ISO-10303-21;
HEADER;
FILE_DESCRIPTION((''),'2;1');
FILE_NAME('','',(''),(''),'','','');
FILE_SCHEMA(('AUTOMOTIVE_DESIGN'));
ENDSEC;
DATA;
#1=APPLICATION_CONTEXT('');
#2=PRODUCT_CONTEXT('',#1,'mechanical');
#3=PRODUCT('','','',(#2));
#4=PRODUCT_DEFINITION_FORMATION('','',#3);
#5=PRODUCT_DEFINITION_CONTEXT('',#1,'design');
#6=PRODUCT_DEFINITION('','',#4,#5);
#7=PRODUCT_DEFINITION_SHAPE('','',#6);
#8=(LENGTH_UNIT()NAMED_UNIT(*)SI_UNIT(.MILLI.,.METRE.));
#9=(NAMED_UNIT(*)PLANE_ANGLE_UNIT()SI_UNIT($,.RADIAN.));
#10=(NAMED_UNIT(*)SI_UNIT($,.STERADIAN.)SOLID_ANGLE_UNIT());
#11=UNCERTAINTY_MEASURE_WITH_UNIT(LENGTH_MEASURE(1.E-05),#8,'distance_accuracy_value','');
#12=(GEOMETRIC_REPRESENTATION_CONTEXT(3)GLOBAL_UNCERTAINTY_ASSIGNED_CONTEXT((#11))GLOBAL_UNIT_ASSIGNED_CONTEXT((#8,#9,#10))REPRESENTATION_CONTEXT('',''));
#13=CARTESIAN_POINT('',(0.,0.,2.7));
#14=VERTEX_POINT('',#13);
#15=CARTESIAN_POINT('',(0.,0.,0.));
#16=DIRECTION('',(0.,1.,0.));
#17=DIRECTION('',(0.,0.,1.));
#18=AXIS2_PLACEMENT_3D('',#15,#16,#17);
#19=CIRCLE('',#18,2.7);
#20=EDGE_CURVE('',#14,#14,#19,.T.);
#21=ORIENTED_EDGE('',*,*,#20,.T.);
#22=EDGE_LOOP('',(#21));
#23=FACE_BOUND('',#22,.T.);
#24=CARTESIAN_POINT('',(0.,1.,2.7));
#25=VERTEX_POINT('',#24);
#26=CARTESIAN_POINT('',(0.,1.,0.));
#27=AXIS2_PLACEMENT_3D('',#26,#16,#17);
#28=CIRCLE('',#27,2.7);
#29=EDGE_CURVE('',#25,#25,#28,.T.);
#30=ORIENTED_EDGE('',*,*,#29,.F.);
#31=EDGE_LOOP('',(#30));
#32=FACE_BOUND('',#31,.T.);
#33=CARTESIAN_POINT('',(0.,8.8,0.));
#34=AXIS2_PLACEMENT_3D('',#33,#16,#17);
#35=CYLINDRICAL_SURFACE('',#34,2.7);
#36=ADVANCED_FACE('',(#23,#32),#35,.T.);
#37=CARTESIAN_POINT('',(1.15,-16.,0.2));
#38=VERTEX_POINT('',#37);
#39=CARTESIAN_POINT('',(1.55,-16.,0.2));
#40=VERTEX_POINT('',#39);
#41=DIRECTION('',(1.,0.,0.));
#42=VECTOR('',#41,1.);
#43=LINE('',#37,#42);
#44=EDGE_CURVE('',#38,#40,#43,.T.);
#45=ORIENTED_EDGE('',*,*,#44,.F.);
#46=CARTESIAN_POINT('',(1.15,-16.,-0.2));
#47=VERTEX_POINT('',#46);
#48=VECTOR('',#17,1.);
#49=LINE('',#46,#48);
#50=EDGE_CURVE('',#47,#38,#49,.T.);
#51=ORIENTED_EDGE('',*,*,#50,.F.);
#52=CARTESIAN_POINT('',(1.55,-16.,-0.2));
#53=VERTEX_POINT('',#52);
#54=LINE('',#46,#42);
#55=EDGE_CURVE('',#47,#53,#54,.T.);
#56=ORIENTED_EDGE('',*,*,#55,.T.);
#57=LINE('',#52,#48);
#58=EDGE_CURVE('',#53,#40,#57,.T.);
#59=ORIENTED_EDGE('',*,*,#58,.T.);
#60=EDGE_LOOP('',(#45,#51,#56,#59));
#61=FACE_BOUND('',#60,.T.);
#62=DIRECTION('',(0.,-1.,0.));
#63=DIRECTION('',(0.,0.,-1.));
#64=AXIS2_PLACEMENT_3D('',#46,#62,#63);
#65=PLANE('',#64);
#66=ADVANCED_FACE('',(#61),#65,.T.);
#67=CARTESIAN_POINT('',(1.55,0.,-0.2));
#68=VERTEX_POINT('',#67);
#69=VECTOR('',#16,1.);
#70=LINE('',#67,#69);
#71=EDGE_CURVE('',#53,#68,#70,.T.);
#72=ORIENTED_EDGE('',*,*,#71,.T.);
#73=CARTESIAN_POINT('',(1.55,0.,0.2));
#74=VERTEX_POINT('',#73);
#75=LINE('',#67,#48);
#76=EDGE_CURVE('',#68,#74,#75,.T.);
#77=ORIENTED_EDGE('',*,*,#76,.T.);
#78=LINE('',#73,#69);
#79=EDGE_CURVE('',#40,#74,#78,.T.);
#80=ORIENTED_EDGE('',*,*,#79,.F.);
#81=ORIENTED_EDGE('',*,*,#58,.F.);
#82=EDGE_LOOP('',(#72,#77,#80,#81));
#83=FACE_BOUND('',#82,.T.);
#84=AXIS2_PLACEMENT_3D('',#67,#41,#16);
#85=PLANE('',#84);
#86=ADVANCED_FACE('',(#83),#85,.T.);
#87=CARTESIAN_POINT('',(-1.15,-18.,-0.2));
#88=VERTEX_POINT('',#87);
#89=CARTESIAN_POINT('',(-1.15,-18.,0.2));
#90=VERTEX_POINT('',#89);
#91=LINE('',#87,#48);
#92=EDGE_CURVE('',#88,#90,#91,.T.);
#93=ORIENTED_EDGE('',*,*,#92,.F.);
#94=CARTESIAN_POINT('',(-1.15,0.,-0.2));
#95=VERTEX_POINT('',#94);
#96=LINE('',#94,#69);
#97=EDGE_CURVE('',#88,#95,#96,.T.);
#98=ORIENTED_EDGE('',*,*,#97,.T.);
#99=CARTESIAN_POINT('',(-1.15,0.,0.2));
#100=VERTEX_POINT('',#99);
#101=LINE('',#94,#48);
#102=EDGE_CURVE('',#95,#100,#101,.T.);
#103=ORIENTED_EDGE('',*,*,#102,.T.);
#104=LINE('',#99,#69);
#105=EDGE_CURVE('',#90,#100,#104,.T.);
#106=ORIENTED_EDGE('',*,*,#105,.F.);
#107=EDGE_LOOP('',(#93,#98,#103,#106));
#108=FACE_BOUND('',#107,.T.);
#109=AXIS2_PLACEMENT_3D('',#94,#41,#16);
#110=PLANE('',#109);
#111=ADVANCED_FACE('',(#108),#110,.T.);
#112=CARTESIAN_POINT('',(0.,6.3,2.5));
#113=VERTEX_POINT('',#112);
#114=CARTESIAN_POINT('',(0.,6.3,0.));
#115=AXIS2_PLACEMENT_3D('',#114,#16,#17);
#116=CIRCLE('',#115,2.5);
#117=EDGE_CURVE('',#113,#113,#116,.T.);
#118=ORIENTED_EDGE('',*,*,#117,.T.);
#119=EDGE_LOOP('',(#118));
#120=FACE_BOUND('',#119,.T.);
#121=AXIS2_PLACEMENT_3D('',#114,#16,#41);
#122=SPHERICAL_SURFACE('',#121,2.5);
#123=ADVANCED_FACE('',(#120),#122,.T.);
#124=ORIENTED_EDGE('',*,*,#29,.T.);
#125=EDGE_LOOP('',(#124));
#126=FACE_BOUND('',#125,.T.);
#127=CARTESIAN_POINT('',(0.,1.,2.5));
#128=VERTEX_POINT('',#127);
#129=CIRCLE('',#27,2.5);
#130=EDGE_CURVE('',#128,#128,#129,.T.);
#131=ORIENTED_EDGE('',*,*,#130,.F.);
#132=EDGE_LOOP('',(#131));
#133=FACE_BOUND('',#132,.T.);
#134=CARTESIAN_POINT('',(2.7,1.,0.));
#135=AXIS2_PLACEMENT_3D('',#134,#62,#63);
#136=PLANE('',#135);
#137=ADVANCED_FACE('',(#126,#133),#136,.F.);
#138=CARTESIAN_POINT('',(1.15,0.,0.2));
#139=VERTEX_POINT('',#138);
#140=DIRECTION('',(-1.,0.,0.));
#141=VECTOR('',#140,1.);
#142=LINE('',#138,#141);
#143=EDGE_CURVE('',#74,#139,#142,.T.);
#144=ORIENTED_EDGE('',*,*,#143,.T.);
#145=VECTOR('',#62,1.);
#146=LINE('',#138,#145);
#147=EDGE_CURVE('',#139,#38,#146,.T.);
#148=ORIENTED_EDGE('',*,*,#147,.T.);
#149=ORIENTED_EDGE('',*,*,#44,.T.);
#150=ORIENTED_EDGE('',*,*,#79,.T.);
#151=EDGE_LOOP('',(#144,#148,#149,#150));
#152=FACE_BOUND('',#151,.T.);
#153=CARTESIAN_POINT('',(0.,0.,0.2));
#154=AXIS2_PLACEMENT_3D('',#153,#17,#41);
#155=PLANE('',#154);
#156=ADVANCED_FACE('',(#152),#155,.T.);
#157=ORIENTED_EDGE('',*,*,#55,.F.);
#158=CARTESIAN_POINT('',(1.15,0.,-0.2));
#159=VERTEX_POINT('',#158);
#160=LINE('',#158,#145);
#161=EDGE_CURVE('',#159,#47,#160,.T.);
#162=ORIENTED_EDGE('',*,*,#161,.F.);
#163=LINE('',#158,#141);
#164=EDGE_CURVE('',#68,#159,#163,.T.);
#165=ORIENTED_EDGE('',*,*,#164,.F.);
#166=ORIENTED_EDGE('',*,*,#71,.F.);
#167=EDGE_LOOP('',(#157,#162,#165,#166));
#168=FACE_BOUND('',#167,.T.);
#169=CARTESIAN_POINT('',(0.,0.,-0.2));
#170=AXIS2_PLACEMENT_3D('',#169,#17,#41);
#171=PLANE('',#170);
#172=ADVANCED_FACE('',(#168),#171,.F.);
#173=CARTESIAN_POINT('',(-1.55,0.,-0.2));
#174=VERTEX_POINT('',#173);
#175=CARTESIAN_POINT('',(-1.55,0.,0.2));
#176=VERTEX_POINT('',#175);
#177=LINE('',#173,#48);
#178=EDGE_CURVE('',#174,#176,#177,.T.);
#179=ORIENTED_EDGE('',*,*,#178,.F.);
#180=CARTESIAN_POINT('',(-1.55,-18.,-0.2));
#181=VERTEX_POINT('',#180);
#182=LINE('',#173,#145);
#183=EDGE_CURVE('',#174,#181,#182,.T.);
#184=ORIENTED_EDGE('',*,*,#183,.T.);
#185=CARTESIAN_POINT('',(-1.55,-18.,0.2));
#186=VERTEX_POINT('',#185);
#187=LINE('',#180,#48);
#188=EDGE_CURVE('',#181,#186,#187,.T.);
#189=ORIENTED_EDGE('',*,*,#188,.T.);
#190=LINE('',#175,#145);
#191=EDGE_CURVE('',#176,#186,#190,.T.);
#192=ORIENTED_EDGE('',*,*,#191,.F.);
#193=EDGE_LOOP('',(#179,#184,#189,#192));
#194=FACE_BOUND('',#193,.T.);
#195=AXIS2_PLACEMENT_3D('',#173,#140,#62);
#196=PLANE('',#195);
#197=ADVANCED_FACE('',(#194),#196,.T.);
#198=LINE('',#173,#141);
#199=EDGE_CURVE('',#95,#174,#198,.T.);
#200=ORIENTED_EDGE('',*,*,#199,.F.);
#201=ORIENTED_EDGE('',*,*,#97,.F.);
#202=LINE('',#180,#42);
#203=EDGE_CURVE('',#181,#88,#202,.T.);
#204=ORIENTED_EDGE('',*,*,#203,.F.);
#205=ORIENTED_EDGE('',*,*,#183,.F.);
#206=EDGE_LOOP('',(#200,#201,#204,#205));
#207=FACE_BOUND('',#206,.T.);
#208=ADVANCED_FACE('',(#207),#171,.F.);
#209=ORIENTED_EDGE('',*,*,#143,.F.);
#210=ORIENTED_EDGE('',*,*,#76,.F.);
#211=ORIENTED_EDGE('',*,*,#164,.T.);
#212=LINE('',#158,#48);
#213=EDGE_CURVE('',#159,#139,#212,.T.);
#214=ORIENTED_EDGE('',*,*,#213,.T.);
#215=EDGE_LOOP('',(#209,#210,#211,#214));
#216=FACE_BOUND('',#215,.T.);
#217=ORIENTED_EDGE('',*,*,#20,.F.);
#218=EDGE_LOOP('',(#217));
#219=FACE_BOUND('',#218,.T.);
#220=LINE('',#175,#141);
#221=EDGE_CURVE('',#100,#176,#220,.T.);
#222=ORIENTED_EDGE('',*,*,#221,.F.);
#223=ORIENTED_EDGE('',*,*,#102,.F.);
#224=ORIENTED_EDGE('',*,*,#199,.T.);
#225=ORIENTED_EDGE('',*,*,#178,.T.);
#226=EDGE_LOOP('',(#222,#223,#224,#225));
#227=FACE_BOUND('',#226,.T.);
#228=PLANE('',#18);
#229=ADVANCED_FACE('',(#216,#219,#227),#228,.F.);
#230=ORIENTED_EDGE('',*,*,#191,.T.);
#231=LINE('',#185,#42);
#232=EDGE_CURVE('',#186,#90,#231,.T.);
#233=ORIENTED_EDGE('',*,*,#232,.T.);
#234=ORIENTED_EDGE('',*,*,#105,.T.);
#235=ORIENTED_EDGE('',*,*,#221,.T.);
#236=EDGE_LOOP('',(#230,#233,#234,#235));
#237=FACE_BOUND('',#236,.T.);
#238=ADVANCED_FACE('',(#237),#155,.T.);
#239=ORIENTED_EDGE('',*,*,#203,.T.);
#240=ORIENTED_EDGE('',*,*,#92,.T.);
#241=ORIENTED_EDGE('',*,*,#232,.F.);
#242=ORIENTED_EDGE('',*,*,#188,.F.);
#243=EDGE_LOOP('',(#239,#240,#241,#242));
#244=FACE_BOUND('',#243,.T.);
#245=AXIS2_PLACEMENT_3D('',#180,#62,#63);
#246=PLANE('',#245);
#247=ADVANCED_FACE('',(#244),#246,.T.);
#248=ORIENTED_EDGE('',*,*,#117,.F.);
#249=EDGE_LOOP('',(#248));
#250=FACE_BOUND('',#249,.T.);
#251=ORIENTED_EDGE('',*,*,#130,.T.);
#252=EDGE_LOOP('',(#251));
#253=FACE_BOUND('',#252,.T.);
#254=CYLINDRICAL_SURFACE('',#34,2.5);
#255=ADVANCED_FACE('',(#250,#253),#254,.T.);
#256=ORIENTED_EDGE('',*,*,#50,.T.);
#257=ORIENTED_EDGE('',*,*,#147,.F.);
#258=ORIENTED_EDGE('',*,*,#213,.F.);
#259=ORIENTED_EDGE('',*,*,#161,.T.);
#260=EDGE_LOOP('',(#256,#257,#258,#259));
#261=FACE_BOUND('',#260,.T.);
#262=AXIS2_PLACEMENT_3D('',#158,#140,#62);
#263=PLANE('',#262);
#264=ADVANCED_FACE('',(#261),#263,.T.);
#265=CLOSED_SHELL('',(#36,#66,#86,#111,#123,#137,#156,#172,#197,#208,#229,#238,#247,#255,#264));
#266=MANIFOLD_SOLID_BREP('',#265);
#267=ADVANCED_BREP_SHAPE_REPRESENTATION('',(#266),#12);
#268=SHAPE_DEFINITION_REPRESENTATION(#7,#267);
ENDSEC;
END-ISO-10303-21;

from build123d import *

# Parameters (mm, degrees)
BOSS_EXTRUDE1_DEPTH      = 0.2
BOSS_EXTRUDE1_DEPTH_BACK = 0.2
SKETCH2_W                = 0.4
SKETCH2_H                = 16
SKETCH2_H_2              = 18


with BuildPart() as part:
    # Sketch1 → Revolve1 (revolve)
    with BuildSketch(Plane.XY):
        with BuildLine():
            Line((0, 0), (2.7, 0))
            Line((2.7, 0), (2.7, 1))
            Line((2.7, 1), (2.5, 1))
            Line((2.5, 1), (2.5, 6.3))
            ThreePointArc((2.5, 6.3), (1.767766953, 8.067766953), (0, 8.8))
            Line((0, 8.8), (0, 0))
        make_face()
    revolve(axis=Axis((0, 8.8, 0), (0, -1, 0)))

    # Sketch2 → Boss-Extrude1 (add, two sides: drawn at the far end of the back side and taken through both)
    with BuildSketch(Plane.XY.offset(-BOSS_EXTRUDE1_DEPTH_BACK)):
        with Locations((1.35, -8)):
            Rectangle(SKETCH2_W, SKETCH2_H)
        with Locations((-1.35, -9)):
            Rectangle(SKETCH2_W, SKETCH2_H_2)
    extrude(amount=BOSS_EXTRUDE1_DEPTH + BOSS_EXTRUDE1_DEPTH_BACK)


solid = part.part
